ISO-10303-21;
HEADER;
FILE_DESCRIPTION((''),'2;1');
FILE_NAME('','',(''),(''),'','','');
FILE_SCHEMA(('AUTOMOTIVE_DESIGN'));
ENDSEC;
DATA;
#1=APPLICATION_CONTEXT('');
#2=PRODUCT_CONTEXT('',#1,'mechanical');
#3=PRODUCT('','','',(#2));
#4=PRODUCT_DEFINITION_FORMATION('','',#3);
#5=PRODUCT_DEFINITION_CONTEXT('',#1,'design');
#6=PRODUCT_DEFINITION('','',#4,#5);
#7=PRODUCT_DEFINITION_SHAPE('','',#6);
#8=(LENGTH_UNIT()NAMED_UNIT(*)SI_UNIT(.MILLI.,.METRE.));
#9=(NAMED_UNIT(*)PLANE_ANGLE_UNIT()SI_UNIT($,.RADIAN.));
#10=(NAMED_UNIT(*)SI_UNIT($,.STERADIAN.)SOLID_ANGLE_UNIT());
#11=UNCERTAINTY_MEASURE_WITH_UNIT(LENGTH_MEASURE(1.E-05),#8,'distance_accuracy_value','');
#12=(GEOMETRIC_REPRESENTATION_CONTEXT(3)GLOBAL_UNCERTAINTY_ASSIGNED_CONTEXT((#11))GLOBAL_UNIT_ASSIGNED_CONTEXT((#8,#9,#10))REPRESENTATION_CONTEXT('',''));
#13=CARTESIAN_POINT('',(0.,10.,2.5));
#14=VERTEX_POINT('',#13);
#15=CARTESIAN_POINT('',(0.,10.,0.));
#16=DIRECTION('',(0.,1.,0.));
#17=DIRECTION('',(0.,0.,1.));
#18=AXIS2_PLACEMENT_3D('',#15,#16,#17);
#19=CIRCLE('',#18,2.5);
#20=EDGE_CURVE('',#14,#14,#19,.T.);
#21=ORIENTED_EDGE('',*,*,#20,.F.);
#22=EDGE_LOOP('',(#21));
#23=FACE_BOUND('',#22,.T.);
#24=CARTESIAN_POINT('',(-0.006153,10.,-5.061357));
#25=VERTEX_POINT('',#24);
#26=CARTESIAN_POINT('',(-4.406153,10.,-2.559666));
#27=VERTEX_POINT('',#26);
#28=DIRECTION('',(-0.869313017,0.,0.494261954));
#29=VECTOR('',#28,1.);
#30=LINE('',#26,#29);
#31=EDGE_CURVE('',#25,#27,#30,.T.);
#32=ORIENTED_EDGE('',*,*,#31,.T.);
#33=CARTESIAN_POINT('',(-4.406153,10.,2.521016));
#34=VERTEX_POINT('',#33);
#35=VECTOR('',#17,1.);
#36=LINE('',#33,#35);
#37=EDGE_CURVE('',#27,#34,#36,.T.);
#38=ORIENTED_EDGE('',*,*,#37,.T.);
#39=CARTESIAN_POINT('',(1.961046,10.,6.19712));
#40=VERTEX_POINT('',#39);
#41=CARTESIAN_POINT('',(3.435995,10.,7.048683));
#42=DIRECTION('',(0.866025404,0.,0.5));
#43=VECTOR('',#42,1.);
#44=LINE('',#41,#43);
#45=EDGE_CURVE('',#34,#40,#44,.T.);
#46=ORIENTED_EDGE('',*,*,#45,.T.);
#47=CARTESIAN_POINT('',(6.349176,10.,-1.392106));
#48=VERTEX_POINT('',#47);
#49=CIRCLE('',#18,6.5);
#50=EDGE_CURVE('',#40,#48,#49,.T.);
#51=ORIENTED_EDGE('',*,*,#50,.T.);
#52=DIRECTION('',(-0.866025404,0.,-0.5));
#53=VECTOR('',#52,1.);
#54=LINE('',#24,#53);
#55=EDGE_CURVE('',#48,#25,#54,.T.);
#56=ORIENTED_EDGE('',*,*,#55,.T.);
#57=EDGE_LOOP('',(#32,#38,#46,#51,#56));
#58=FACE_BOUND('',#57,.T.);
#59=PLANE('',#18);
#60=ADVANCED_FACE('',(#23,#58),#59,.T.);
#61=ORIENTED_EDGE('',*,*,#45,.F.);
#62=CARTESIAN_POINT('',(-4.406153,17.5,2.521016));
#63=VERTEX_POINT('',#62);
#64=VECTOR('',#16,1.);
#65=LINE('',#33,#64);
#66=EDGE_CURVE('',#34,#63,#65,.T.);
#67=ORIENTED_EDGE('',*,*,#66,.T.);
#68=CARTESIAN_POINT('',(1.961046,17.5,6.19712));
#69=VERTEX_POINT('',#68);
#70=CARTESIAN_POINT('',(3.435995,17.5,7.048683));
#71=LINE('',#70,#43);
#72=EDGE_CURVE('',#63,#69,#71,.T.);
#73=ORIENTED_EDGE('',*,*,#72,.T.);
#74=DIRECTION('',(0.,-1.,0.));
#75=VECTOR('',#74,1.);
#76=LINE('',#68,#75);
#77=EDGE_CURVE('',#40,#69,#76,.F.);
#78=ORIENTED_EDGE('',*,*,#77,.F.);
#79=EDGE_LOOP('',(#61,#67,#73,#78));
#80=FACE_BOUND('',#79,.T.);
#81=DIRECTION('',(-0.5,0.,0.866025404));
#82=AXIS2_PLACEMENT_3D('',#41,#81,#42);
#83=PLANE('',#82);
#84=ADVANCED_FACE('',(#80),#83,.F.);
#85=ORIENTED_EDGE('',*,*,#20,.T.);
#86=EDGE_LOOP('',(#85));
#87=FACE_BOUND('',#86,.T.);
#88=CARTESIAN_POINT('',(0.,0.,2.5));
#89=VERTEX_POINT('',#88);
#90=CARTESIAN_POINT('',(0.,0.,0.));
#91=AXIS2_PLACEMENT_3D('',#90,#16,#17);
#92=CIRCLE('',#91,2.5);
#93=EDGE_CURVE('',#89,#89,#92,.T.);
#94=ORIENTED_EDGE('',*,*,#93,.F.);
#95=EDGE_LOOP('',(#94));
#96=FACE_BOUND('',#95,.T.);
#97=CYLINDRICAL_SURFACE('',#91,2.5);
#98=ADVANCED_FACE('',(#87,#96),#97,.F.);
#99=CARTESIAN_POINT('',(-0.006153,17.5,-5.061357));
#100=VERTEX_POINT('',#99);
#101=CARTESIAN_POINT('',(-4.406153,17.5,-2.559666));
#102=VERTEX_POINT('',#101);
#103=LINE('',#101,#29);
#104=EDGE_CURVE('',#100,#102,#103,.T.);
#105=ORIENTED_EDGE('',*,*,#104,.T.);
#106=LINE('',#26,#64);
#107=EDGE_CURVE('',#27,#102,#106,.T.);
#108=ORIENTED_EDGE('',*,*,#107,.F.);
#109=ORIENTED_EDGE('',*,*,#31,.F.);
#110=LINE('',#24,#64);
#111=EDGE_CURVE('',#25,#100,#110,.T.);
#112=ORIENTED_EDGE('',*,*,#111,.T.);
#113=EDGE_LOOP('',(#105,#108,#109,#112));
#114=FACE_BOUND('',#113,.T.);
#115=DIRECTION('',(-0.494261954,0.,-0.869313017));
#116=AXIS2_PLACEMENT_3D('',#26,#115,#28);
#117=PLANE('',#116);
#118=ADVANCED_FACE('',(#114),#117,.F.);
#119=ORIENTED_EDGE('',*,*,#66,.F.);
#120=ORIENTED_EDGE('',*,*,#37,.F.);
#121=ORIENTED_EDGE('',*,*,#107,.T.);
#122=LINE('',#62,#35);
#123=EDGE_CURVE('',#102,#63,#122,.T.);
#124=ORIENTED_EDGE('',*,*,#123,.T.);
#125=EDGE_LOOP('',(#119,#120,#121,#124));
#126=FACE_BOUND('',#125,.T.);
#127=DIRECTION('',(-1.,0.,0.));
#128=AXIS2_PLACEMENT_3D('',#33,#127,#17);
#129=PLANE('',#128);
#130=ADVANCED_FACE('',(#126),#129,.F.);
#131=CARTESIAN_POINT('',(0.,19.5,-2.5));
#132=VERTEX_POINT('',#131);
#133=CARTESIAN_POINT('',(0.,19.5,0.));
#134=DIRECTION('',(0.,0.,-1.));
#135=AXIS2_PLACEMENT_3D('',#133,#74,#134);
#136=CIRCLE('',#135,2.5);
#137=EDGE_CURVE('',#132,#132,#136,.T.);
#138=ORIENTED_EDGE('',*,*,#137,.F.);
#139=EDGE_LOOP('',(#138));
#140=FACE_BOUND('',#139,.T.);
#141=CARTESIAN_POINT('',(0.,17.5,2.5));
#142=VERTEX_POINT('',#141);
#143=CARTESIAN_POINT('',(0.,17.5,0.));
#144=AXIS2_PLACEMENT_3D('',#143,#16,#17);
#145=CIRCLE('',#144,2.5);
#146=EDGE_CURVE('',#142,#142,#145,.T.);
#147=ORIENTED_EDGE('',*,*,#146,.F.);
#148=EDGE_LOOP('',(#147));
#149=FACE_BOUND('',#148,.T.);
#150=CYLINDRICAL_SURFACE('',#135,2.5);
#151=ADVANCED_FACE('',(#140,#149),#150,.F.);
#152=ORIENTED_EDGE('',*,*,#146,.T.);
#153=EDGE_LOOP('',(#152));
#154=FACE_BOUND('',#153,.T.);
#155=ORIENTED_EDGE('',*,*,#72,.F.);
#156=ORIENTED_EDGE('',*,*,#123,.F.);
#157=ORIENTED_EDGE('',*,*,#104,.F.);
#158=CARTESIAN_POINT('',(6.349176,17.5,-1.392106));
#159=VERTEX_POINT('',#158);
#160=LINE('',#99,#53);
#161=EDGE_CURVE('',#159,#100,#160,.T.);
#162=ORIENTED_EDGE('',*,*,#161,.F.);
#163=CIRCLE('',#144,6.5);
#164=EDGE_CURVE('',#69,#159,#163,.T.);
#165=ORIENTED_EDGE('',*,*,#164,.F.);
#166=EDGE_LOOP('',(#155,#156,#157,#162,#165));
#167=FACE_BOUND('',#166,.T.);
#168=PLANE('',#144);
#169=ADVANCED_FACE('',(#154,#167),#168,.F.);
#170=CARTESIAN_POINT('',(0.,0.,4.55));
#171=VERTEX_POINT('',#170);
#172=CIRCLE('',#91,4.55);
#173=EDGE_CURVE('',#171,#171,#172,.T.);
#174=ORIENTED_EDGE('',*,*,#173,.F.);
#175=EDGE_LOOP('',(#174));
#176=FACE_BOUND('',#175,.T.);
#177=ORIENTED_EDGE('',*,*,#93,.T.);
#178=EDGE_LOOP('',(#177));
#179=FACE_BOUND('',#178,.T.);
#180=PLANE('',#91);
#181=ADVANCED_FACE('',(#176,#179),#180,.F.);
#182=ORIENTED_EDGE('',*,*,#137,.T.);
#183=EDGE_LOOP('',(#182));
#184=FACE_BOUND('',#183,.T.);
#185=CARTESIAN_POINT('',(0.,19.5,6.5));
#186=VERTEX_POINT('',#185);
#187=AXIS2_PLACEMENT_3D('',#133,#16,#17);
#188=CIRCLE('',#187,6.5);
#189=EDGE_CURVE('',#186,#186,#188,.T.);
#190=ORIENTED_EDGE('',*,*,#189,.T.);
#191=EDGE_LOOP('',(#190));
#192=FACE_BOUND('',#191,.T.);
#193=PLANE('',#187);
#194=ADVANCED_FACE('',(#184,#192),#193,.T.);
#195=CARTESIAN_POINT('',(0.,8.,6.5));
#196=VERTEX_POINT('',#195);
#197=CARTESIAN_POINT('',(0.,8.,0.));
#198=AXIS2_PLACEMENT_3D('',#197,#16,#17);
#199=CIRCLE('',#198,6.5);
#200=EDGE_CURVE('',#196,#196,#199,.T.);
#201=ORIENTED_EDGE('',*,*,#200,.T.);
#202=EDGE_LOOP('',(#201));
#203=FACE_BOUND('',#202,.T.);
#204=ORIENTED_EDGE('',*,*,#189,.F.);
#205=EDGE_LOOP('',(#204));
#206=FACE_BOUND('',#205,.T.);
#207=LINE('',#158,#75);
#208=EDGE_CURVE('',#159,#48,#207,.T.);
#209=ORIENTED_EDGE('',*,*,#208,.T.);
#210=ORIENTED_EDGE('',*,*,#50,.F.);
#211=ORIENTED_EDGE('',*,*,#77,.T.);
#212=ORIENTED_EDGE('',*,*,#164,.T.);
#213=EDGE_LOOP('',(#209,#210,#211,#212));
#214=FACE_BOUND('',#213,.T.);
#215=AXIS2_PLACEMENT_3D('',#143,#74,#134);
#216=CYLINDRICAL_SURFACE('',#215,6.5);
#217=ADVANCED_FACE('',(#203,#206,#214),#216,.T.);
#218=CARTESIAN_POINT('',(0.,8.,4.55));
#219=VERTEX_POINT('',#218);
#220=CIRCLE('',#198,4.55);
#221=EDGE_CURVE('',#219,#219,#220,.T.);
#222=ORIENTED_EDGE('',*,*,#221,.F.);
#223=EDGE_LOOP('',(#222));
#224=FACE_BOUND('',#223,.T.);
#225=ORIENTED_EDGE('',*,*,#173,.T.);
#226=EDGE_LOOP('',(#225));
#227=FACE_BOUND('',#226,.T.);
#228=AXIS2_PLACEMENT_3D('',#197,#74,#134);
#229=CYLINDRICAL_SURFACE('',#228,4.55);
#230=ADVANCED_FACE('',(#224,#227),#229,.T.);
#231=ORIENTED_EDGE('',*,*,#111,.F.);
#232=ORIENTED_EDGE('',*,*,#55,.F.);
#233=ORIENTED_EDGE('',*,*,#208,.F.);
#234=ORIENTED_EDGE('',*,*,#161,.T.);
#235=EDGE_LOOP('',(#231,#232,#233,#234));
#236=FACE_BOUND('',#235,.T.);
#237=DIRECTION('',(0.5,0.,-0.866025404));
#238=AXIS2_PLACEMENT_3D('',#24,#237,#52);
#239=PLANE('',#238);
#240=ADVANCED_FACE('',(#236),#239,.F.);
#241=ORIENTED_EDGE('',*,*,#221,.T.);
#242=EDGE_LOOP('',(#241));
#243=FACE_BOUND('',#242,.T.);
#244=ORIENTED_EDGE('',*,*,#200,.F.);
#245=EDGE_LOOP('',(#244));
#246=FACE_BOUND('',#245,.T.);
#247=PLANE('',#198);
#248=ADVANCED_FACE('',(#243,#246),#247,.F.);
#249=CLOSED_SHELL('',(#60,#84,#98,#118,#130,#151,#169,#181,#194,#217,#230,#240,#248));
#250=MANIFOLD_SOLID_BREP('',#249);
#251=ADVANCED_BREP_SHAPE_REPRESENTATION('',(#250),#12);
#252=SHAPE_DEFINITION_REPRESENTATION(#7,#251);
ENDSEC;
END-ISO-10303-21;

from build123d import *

# Parameters (mm, degrees)
SKETCH1_R           = 4.55
BOSS_EXTRUDE1_DEPTH = 8
SKETCH2_R           = 2.5
CUT_EXTRUDE1_DEPTH  = 8
SKETCH3_R           = 6.5
BOSS_EXTRUDE4_DEPTH = 9.5
CUT_EXTRUDE2_DEPTH  = 7.5
SKETCH6_R           = 6.5
BOSS_EXTRUDE5_DEPTH = 2
SKETCH7_R           = 2.5
CUT_EXTRUDE3_DEPTH  = 22.558061137


with BuildPart() as part:
    # Sketch1 → Boss-Extrude1 (new body)
    with BuildSketch(Plane(origin=(0, 0, 0), x_dir=(1, 0, 0), z_dir=(0, 1, 0))):
        with Locations(Location((0, 0, 0), (0, 0, 270))):
            Circle(SKETCH1_R)
    extrude(amount=BOSS_EXTRUDE1_DEPTH)

    # Sketch2 → Cut-Extrude1 (cut)
    with BuildSketch(Plane(origin=(0, 8, 0), x_dir=(1, 0, 0), z_dir=(0, 1, 0))):
        with Locations(Location((0, 0, 0), (0, 0, 270))):
            Circle(SKETCH2_R)
    extrude(amount=-CUT_EXTRUDE1_DEPTH, mode=Mode.SUBTRACT)

    # Sketch3 → Boss-Extrude4 (add)
    with BuildSketch(Plane(origin=(0, 8, 0), x_dir=(1, 0, 0), z_dir=(0, 1, 0))):
        with Locations(Location((0, 0, 0), (0, 0, 270))):
            Circle(SKETCH3_R)
    extrude(amount=BOSS_EXTRUDE4_DEPTH)

    # Sketch5 → Cut-Extrude2 (cut)
    with BuildSketch(Plane(origin=(0, 17.5, 0), x_dir=(1, 0, 0), z_dir=(0, 1, 0))):
        Polygon((-4.406153459, -2.521016119), (-4.406153459, 2.55966625), (-0.006153459, 5.061357304), (7.819258761, 0.543353452), (3.435994759, -7.048682503), align=None)
    extrude(amount=-CUT_EXTRUDE2_DEPTH, mode=Mode.SUBTRACT)

    # Sketch6 → Boss-Extrude5 (add)
    with BuildSketch(Plane(origin=(0, 17.5, 0), x_dir=(1, 0, 0), z_dir=(0, 1, 0))):
        with Locations(Location((0, 0, 0), (0, 0, 270))):
            Circle(SKETCH6_R)
    extrude(amount=BOSS_EXTRUDE5_DEPTH)

    # Sketch7 → Cut-Extrude3 (cut, through all)
    with BuildSketch(Plane.XZ):
        with Locations(Location((0, 0, 0), (0, 0, 90))):
            Circle(SKETCH7_R)
    extrude(amount=-CUT_EXTRUDE3_DEPTH, mode=Mode.SUBTRACT)


solid = part.part
